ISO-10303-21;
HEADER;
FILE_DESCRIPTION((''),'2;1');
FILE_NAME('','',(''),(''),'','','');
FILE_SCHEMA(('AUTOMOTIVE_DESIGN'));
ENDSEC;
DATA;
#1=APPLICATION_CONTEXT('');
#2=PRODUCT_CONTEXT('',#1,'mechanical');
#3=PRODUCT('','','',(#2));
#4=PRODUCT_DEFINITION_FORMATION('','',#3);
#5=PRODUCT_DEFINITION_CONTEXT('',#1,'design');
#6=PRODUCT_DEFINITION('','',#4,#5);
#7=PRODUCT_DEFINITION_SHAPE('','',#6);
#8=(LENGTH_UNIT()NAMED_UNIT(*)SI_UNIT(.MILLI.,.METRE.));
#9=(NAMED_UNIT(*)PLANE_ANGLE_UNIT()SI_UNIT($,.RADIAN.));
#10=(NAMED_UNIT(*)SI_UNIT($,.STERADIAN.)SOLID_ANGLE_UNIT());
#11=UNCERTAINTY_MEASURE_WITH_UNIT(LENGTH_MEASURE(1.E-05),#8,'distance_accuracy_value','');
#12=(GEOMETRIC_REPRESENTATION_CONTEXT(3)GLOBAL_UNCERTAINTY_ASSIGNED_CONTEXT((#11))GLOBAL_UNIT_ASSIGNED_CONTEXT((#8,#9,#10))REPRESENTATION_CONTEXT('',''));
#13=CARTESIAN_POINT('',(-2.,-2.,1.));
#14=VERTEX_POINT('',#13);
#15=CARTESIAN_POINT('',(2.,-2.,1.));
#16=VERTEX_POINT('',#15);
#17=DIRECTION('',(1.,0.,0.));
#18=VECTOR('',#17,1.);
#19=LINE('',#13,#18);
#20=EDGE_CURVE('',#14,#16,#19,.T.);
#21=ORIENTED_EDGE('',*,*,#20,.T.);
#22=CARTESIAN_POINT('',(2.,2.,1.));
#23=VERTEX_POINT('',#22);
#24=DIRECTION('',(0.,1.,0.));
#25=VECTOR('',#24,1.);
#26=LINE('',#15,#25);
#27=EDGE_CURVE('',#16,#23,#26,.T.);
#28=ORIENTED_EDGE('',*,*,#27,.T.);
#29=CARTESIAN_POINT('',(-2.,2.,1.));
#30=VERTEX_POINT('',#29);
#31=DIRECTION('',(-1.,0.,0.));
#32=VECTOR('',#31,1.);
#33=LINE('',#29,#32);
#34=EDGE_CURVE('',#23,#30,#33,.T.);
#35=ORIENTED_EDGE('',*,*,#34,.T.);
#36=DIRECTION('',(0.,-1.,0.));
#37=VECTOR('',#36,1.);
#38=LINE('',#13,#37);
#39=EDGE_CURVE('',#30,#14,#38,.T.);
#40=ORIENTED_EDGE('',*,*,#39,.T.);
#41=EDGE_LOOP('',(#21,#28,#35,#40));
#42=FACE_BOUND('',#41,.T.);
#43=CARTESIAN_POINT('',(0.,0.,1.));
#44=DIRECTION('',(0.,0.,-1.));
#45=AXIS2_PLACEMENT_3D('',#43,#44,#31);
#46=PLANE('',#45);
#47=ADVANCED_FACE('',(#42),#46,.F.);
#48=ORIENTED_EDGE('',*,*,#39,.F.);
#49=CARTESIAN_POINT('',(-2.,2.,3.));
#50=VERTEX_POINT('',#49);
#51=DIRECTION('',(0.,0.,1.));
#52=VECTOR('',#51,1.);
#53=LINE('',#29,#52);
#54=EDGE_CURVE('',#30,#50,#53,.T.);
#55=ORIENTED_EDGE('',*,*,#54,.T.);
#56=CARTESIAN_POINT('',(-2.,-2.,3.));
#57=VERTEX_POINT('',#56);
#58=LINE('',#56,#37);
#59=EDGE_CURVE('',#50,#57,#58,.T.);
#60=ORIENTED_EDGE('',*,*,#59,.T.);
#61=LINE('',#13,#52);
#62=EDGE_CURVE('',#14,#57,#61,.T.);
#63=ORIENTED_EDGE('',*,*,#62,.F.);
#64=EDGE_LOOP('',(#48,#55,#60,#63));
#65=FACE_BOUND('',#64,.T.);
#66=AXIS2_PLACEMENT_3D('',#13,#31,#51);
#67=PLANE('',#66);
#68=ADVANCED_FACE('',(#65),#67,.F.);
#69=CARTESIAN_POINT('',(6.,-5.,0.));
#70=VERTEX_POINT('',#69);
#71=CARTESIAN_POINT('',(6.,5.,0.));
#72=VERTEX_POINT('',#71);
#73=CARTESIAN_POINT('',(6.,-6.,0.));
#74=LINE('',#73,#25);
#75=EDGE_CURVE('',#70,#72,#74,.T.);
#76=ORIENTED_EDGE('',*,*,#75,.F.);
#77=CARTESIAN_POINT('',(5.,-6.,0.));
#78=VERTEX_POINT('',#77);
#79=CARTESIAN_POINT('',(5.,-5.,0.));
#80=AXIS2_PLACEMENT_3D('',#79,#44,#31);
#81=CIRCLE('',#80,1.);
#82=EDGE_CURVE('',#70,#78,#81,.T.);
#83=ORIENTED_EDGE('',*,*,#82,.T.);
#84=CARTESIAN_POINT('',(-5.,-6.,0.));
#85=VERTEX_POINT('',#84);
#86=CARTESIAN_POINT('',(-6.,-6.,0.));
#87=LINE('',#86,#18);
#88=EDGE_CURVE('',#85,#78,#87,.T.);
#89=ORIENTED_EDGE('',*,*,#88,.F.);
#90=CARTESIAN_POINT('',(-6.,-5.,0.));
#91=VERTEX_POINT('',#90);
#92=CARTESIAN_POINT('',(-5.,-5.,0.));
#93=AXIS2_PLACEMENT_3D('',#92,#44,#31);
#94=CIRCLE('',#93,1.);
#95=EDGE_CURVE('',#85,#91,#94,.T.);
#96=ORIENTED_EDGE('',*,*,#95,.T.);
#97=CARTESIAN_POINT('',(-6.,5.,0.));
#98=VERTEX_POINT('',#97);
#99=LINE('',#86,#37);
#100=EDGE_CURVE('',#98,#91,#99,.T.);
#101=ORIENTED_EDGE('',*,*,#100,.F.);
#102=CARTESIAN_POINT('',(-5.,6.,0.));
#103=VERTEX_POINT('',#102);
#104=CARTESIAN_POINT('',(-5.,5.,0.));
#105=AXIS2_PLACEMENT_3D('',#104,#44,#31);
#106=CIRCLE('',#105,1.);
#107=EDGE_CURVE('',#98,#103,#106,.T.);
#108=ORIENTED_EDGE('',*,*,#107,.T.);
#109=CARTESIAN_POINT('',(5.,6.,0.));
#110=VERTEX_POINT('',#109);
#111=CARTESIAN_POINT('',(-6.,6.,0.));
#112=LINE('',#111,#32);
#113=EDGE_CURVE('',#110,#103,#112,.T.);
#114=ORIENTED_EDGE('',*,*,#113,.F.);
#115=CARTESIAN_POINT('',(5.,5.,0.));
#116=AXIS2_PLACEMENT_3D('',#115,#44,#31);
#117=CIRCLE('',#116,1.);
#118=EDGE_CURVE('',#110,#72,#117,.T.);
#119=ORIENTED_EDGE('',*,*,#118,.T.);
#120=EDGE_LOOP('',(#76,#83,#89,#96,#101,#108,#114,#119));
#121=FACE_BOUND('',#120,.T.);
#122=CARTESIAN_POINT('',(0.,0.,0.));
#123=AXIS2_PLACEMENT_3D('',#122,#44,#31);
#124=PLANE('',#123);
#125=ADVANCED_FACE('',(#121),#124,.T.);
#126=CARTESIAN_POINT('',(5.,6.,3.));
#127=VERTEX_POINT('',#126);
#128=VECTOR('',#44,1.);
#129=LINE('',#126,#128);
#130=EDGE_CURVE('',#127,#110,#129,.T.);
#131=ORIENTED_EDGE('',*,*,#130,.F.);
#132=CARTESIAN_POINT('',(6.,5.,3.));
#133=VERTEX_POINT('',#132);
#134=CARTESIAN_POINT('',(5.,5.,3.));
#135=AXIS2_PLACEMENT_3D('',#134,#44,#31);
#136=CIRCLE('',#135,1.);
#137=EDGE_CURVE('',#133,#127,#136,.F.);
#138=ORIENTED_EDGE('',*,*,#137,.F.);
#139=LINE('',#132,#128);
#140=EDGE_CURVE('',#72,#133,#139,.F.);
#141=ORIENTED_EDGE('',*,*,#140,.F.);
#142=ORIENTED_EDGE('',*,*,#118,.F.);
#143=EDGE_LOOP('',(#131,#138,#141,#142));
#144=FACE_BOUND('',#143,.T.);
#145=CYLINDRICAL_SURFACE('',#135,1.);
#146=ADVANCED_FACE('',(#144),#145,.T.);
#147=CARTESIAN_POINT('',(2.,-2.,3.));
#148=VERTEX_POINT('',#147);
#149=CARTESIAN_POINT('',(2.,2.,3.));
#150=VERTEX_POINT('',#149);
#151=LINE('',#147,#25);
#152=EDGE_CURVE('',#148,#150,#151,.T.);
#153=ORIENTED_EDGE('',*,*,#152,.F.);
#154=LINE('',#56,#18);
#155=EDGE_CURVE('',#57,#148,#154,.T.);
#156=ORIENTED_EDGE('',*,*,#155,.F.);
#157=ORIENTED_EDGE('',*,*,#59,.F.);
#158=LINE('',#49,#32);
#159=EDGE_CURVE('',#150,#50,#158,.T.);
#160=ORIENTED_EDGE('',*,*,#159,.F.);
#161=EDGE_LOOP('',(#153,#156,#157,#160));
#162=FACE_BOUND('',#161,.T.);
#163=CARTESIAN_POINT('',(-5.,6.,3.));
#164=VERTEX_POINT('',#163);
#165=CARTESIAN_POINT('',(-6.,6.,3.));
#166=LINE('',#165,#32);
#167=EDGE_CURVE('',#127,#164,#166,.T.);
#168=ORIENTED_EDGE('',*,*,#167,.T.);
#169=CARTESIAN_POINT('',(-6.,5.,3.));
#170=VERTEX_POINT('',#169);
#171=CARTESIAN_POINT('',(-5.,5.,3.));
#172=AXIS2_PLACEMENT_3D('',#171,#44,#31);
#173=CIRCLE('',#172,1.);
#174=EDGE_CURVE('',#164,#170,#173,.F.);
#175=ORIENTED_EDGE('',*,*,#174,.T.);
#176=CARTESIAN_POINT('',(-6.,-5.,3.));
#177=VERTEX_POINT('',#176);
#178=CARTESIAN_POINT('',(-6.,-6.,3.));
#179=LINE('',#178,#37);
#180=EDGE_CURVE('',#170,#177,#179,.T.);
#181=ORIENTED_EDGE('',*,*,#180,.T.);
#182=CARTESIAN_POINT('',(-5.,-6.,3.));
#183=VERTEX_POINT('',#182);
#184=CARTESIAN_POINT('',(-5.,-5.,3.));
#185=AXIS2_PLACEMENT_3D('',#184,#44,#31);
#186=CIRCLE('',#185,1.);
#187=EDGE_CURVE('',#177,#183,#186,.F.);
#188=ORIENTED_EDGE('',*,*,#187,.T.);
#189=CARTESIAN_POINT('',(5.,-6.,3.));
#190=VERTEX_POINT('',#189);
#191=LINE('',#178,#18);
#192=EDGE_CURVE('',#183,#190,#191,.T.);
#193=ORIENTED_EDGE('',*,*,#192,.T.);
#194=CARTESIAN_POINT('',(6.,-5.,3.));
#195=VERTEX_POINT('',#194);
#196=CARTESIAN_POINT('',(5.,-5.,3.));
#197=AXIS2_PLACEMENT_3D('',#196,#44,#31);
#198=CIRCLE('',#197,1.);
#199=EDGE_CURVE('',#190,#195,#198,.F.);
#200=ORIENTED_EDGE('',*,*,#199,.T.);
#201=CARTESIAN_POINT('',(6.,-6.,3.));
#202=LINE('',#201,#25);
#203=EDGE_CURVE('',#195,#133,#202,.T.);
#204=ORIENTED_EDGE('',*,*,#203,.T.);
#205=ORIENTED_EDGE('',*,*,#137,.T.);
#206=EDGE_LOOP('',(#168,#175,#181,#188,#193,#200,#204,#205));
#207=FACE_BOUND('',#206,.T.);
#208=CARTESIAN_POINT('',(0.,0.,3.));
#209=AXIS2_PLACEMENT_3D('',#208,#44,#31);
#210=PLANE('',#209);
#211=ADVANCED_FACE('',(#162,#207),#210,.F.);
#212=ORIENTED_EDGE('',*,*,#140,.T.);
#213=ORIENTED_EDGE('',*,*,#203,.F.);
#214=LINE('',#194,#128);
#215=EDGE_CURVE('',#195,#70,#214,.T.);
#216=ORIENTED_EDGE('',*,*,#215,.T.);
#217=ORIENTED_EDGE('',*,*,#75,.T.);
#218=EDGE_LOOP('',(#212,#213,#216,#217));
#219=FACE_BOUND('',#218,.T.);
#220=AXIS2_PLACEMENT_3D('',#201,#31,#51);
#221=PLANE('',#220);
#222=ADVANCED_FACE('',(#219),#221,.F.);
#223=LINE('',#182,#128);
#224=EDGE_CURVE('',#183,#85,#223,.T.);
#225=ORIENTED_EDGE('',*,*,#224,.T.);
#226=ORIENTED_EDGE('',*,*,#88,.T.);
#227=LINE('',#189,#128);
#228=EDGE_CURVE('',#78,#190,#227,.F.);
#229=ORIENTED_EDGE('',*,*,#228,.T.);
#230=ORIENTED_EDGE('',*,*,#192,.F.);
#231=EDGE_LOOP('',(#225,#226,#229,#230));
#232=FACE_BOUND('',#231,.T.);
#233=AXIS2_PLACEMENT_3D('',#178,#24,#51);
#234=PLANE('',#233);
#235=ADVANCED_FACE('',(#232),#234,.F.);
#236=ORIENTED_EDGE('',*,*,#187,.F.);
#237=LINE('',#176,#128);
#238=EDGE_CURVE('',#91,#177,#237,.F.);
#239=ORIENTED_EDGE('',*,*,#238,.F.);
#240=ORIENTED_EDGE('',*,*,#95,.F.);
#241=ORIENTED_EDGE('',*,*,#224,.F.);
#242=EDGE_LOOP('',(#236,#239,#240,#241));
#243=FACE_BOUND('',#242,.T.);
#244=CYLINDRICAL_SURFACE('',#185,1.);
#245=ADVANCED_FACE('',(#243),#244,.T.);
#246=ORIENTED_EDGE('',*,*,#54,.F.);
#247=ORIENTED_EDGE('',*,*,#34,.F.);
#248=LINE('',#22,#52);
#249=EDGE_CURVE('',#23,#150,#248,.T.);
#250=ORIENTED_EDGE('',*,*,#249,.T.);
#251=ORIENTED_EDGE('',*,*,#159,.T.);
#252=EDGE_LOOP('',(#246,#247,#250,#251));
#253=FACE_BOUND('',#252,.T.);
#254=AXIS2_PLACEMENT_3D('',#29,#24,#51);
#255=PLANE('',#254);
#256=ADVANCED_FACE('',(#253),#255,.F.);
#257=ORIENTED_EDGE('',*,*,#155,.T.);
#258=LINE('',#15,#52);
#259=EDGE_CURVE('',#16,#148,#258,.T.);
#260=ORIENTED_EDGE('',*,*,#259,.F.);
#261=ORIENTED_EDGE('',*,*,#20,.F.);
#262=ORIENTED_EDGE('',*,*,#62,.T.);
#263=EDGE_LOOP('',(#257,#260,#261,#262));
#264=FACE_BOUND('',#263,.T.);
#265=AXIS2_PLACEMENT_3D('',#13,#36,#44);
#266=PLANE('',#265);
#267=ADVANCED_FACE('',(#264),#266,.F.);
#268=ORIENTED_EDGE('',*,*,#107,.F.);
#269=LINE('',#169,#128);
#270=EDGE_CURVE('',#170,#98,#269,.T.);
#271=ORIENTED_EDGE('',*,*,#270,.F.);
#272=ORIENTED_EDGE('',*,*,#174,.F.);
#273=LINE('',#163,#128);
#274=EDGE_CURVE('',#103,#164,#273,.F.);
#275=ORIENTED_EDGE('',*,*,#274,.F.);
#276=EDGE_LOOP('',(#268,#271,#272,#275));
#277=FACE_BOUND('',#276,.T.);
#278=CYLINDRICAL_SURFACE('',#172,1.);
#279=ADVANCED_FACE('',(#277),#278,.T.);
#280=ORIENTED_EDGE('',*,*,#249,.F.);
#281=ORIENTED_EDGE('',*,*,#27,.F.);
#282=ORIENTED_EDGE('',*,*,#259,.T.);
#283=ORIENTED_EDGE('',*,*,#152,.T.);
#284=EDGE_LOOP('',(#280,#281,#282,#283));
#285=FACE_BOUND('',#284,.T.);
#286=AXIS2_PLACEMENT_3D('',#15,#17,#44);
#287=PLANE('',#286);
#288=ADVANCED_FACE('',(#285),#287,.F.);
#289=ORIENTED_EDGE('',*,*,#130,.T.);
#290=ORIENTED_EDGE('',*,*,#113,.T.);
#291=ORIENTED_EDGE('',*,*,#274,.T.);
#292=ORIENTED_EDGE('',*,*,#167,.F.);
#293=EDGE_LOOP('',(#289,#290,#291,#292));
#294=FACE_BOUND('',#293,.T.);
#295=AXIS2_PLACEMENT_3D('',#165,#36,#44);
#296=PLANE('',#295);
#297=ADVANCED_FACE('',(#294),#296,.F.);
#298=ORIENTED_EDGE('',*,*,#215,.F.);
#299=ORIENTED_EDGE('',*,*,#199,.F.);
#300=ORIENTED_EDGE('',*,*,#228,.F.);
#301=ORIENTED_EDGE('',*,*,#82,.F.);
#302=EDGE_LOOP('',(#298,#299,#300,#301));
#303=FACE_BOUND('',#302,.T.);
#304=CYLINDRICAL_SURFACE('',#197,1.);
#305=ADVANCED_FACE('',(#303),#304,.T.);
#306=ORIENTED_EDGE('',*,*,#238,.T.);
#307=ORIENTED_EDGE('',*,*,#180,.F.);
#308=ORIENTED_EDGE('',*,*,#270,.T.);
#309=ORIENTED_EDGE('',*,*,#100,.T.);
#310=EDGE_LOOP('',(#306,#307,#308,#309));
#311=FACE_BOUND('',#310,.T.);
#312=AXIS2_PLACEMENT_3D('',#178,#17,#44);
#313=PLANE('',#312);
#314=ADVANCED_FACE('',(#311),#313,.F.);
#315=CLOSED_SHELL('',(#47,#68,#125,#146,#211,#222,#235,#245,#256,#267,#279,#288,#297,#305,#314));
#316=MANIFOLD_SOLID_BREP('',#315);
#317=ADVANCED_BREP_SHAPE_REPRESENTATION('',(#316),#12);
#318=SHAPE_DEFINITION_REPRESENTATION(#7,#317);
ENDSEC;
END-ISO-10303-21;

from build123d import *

# Parameters (mm, degrees)
SKETCH_1_W          = 12
SKETCH_1_H          = 12
EXTRUDE_1_DEPTH     = 3
SKETCH_2_W          = 4
SKETCH_2_H          = 4
CUT_EXTRUDE_1_DEPTH = 2
FILLET_1_R          = 1


with BuildPart() as part:
    # 스케치1 → 보스-돌출1 (new body)
    with BuildSketch(Plane.XY):
        Rectangle(SKETCH_1_W, SKETCH_1_H)
    extrude(amount=EXTRUDE_1_DEPTH)

    # 스케치2 → 컷-돌출1 (cut)
    with BuildSketch(Plane.XY.offset(3)):
        Rectangle(SKETCH_2_W, SKETCH_2_H)
    extrude(amount=-CUT_EXTRUDE_1_DEPTH, mode=Mode.SUBTRACT)

    # 필렛1
    fillet_1_edges = [part.edges().sort_by_distance(p)[0] for p in [
        (6, -6, 1.5),
        (-6, -6, 1.5),
        (-6, 6, 1.5),
        (6, 6, 1.5),
    ]]
    fillet(fillet_1_edges, radius=FILLET_1_R)


solid = part.part
